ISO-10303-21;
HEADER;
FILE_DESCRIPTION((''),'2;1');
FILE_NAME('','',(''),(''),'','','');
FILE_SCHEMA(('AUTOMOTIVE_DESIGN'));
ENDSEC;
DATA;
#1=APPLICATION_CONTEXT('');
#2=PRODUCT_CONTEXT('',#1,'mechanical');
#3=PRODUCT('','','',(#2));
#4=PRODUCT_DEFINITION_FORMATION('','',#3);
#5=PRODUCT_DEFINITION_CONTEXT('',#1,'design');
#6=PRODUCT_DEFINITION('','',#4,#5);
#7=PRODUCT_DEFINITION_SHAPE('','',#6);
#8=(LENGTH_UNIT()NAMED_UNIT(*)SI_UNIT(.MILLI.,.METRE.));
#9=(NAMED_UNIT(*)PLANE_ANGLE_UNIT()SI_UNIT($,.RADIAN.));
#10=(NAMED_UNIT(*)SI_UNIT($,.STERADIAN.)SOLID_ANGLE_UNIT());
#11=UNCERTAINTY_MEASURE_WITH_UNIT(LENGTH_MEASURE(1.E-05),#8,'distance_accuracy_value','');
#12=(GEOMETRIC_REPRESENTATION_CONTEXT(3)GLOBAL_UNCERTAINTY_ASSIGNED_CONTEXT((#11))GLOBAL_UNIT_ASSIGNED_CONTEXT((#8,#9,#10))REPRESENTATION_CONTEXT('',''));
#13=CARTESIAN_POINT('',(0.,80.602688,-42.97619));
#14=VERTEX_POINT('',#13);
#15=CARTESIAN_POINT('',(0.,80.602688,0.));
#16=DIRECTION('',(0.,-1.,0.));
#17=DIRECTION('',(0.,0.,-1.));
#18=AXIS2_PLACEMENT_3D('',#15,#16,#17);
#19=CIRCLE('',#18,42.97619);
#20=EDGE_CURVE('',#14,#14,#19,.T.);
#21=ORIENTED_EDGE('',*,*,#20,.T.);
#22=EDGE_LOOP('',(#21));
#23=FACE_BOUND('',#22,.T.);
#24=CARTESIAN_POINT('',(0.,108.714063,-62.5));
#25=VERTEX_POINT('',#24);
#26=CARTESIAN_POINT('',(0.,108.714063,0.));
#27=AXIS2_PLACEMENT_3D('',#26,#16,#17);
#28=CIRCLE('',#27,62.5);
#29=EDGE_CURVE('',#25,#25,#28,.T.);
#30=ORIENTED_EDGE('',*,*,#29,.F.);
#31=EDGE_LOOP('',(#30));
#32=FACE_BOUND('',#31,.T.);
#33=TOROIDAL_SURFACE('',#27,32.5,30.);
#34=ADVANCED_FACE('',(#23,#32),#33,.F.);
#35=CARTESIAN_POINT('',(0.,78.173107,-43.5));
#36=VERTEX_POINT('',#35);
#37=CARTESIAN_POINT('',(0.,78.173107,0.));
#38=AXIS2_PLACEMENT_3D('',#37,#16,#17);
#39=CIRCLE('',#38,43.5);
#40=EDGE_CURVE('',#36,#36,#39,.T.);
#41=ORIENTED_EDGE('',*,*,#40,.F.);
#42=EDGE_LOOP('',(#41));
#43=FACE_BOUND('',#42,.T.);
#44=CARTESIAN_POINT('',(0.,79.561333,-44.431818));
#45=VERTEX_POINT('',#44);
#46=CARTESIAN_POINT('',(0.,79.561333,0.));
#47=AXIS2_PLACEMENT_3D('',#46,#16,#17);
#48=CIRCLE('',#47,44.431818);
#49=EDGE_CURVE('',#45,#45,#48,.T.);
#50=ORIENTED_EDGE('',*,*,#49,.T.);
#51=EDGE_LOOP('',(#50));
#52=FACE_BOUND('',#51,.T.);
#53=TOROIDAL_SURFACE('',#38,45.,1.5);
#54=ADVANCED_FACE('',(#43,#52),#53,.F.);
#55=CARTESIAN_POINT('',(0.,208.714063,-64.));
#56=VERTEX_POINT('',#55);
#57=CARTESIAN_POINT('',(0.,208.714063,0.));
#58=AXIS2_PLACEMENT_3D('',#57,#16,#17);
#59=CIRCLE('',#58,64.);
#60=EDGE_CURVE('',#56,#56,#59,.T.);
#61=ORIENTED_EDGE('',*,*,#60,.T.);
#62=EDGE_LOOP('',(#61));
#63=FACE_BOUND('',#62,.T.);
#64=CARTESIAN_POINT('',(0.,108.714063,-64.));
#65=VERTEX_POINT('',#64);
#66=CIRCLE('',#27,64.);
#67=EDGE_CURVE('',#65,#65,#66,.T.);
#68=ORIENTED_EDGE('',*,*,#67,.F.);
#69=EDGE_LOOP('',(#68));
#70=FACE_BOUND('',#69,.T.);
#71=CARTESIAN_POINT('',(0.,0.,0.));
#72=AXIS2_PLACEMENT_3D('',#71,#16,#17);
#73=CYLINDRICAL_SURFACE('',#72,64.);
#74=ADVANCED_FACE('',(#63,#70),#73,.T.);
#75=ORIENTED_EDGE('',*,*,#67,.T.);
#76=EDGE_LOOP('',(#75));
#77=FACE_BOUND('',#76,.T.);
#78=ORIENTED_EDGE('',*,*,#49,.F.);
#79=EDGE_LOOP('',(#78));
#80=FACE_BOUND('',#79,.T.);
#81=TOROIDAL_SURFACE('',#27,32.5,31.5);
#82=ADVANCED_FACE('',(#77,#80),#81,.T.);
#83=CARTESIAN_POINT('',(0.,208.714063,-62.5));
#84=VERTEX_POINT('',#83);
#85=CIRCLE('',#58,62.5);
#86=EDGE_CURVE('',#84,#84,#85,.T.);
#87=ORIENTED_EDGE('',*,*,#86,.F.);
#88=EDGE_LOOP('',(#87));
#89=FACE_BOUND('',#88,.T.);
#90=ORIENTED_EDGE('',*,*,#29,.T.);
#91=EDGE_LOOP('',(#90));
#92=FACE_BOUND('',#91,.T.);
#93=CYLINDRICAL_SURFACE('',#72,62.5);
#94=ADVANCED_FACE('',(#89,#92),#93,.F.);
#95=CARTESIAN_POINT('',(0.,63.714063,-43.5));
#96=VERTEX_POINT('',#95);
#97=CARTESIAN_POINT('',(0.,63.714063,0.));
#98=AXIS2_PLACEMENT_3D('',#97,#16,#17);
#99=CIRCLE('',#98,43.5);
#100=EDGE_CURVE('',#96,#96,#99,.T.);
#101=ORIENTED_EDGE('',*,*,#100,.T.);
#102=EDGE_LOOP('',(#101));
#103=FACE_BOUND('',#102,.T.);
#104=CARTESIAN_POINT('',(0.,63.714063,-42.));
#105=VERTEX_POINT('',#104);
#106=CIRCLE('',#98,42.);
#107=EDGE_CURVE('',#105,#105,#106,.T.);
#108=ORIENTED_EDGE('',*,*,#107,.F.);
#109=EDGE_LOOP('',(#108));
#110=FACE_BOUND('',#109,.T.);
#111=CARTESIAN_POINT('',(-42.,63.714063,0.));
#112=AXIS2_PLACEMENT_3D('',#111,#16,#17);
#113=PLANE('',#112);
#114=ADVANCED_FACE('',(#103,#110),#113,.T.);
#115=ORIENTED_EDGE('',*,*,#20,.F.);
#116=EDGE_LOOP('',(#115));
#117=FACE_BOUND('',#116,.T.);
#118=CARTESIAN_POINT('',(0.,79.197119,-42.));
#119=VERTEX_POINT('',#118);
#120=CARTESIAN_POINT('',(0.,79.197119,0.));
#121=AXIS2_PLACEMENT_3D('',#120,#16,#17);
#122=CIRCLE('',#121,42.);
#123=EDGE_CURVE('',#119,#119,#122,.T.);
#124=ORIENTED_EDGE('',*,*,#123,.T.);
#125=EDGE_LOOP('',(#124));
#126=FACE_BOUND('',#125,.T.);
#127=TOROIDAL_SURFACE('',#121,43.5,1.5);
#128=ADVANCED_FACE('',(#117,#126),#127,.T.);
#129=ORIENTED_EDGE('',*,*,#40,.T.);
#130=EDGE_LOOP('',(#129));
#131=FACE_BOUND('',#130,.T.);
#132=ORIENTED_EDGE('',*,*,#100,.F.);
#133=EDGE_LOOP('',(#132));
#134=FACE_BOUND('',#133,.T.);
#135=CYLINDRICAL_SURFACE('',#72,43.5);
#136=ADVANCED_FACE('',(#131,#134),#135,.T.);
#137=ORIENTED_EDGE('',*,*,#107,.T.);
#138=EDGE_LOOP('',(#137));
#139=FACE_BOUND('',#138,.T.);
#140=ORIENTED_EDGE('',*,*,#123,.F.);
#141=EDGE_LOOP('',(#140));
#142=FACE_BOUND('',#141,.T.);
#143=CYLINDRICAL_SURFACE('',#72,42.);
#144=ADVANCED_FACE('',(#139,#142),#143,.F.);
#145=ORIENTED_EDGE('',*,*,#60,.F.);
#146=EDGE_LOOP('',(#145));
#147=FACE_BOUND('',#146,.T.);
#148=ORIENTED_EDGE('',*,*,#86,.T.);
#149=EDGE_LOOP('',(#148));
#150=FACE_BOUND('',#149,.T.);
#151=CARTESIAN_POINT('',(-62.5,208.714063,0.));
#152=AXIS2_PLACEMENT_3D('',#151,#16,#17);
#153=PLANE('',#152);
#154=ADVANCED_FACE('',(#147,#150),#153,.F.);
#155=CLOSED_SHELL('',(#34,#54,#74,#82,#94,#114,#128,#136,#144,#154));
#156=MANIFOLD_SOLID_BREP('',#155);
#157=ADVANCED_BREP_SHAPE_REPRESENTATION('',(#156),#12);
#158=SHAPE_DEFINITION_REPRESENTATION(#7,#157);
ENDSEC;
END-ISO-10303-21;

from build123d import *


with BuildPart() as part:
    # Çizim1 → Döndür1 (revolve)
    with BuildSketch(Plane.XY, mode=Mode.PRIVATE) as d_nd_r1_sk:
        with BuildLine():
            Line((-62.5, 208.714063436), (-62.5, 108.714063436))
            ThreePointArc((-62.5, 108.714063436), (-57.140269015, 91.600994078), (-42.976190476, 80.602687925))
            ThreePointArc((-42.976190476, 80.602687925), (-42.267986549, 80.052772618), (-42, 79.19711915))
            Line((-42, 79.19711915), (-42, 63.714063436))
            Line((-42, 63.714063436), (-43.5, 63.714063436))
            Line((-43.5, 63.714063436), (-43.5, 78.173107328))
            ThreePointArc((-43.5, 78.173107328), (-43.754553749, 79.009087972), (-44.431818182, 79.561332606))
            ThreePointArc((-44.431818182, 79.561332606), (-58.654371267, 91.158469922), (-64, 108.714063436))
            Line((-64, 108.714063436), (-64, 208.714063436))
            Line((-64, 208.714063436), (-62.5, 208.714063436))
        make_face()
    revolve(d_nd_r1_sk.sketch.rotate(Axis((0, 0, 0), (0, 1, 0)), 270), axis=Axis((0, 0, 0), (0, 1, 0)))


solid = part.part
